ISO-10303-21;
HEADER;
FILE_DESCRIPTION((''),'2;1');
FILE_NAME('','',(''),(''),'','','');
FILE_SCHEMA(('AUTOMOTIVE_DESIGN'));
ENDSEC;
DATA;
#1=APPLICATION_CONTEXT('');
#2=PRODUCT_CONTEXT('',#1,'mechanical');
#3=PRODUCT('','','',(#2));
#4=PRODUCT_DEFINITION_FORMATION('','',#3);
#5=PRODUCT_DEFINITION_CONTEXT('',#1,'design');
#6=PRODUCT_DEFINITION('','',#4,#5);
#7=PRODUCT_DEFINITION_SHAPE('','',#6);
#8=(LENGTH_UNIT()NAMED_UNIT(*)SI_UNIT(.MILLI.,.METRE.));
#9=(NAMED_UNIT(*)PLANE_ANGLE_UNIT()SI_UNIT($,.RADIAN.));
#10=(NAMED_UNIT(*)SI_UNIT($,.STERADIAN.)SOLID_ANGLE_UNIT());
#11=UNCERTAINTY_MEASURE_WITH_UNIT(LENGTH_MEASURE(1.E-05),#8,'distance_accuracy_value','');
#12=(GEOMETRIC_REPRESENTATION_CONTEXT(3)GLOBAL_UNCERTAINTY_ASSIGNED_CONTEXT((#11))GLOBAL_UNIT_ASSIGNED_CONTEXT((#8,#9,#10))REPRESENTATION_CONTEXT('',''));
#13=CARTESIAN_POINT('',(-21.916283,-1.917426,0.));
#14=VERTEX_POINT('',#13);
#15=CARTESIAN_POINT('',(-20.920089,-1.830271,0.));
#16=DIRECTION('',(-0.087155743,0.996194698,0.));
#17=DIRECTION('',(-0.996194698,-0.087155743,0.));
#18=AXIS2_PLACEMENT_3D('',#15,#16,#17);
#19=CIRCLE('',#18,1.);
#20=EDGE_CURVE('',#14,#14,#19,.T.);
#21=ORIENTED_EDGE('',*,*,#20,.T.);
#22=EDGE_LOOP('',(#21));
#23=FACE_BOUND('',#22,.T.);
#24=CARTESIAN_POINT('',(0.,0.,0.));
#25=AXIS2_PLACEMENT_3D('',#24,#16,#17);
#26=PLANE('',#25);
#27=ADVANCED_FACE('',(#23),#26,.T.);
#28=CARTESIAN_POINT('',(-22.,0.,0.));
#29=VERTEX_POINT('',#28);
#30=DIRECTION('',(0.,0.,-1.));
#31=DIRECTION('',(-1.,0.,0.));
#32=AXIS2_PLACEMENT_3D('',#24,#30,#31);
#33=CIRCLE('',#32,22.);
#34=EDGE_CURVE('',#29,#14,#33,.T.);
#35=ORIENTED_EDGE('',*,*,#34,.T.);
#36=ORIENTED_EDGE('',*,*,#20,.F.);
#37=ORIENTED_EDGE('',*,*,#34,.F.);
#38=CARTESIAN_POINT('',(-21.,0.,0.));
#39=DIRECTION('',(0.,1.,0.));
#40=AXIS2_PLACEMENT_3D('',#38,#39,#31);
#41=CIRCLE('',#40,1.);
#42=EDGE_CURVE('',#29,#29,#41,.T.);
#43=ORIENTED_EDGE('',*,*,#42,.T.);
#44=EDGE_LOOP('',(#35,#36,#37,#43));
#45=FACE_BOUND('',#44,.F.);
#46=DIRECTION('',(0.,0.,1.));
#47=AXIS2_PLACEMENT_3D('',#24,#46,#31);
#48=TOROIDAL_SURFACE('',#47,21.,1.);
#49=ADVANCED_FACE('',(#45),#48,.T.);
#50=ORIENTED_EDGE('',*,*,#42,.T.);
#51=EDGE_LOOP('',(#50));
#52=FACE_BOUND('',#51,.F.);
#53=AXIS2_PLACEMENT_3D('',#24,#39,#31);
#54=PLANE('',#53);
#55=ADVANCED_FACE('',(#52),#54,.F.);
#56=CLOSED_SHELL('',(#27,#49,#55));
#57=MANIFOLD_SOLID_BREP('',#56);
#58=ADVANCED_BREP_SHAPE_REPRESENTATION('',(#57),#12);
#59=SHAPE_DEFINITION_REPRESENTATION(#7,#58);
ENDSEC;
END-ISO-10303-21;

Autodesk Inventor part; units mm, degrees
ref_plane "YZ Plane" through (0, 0, 0) normal (1, 0, 0) x (0, 1, 0)
ref_plane "XZ Plane" through (0, 0, 0) normal (0, 1, 0) x (-1, 0, 0)
ref_plane "XY Plane" through (0, 0, 0) normal (0, 0, 1) x (1, 0, 0)
sketch "Sketch1" plane through (0, 0, 0) normal (0, 1, 0) x (-1, 0, 0)
  circle A0 centre (21, 0) radius 1
  line L0 (0, -1.4) -> (0, 1.4) projected
  point P0 (0, 0)
  dimension "d0" = 2
  dimension "d3" = 21
revolve "Revolution1" add sketch "Sketch1" angle 355 about axis through (0, 0, -10) along (0, 0, -1)
properties part number "Loop"
